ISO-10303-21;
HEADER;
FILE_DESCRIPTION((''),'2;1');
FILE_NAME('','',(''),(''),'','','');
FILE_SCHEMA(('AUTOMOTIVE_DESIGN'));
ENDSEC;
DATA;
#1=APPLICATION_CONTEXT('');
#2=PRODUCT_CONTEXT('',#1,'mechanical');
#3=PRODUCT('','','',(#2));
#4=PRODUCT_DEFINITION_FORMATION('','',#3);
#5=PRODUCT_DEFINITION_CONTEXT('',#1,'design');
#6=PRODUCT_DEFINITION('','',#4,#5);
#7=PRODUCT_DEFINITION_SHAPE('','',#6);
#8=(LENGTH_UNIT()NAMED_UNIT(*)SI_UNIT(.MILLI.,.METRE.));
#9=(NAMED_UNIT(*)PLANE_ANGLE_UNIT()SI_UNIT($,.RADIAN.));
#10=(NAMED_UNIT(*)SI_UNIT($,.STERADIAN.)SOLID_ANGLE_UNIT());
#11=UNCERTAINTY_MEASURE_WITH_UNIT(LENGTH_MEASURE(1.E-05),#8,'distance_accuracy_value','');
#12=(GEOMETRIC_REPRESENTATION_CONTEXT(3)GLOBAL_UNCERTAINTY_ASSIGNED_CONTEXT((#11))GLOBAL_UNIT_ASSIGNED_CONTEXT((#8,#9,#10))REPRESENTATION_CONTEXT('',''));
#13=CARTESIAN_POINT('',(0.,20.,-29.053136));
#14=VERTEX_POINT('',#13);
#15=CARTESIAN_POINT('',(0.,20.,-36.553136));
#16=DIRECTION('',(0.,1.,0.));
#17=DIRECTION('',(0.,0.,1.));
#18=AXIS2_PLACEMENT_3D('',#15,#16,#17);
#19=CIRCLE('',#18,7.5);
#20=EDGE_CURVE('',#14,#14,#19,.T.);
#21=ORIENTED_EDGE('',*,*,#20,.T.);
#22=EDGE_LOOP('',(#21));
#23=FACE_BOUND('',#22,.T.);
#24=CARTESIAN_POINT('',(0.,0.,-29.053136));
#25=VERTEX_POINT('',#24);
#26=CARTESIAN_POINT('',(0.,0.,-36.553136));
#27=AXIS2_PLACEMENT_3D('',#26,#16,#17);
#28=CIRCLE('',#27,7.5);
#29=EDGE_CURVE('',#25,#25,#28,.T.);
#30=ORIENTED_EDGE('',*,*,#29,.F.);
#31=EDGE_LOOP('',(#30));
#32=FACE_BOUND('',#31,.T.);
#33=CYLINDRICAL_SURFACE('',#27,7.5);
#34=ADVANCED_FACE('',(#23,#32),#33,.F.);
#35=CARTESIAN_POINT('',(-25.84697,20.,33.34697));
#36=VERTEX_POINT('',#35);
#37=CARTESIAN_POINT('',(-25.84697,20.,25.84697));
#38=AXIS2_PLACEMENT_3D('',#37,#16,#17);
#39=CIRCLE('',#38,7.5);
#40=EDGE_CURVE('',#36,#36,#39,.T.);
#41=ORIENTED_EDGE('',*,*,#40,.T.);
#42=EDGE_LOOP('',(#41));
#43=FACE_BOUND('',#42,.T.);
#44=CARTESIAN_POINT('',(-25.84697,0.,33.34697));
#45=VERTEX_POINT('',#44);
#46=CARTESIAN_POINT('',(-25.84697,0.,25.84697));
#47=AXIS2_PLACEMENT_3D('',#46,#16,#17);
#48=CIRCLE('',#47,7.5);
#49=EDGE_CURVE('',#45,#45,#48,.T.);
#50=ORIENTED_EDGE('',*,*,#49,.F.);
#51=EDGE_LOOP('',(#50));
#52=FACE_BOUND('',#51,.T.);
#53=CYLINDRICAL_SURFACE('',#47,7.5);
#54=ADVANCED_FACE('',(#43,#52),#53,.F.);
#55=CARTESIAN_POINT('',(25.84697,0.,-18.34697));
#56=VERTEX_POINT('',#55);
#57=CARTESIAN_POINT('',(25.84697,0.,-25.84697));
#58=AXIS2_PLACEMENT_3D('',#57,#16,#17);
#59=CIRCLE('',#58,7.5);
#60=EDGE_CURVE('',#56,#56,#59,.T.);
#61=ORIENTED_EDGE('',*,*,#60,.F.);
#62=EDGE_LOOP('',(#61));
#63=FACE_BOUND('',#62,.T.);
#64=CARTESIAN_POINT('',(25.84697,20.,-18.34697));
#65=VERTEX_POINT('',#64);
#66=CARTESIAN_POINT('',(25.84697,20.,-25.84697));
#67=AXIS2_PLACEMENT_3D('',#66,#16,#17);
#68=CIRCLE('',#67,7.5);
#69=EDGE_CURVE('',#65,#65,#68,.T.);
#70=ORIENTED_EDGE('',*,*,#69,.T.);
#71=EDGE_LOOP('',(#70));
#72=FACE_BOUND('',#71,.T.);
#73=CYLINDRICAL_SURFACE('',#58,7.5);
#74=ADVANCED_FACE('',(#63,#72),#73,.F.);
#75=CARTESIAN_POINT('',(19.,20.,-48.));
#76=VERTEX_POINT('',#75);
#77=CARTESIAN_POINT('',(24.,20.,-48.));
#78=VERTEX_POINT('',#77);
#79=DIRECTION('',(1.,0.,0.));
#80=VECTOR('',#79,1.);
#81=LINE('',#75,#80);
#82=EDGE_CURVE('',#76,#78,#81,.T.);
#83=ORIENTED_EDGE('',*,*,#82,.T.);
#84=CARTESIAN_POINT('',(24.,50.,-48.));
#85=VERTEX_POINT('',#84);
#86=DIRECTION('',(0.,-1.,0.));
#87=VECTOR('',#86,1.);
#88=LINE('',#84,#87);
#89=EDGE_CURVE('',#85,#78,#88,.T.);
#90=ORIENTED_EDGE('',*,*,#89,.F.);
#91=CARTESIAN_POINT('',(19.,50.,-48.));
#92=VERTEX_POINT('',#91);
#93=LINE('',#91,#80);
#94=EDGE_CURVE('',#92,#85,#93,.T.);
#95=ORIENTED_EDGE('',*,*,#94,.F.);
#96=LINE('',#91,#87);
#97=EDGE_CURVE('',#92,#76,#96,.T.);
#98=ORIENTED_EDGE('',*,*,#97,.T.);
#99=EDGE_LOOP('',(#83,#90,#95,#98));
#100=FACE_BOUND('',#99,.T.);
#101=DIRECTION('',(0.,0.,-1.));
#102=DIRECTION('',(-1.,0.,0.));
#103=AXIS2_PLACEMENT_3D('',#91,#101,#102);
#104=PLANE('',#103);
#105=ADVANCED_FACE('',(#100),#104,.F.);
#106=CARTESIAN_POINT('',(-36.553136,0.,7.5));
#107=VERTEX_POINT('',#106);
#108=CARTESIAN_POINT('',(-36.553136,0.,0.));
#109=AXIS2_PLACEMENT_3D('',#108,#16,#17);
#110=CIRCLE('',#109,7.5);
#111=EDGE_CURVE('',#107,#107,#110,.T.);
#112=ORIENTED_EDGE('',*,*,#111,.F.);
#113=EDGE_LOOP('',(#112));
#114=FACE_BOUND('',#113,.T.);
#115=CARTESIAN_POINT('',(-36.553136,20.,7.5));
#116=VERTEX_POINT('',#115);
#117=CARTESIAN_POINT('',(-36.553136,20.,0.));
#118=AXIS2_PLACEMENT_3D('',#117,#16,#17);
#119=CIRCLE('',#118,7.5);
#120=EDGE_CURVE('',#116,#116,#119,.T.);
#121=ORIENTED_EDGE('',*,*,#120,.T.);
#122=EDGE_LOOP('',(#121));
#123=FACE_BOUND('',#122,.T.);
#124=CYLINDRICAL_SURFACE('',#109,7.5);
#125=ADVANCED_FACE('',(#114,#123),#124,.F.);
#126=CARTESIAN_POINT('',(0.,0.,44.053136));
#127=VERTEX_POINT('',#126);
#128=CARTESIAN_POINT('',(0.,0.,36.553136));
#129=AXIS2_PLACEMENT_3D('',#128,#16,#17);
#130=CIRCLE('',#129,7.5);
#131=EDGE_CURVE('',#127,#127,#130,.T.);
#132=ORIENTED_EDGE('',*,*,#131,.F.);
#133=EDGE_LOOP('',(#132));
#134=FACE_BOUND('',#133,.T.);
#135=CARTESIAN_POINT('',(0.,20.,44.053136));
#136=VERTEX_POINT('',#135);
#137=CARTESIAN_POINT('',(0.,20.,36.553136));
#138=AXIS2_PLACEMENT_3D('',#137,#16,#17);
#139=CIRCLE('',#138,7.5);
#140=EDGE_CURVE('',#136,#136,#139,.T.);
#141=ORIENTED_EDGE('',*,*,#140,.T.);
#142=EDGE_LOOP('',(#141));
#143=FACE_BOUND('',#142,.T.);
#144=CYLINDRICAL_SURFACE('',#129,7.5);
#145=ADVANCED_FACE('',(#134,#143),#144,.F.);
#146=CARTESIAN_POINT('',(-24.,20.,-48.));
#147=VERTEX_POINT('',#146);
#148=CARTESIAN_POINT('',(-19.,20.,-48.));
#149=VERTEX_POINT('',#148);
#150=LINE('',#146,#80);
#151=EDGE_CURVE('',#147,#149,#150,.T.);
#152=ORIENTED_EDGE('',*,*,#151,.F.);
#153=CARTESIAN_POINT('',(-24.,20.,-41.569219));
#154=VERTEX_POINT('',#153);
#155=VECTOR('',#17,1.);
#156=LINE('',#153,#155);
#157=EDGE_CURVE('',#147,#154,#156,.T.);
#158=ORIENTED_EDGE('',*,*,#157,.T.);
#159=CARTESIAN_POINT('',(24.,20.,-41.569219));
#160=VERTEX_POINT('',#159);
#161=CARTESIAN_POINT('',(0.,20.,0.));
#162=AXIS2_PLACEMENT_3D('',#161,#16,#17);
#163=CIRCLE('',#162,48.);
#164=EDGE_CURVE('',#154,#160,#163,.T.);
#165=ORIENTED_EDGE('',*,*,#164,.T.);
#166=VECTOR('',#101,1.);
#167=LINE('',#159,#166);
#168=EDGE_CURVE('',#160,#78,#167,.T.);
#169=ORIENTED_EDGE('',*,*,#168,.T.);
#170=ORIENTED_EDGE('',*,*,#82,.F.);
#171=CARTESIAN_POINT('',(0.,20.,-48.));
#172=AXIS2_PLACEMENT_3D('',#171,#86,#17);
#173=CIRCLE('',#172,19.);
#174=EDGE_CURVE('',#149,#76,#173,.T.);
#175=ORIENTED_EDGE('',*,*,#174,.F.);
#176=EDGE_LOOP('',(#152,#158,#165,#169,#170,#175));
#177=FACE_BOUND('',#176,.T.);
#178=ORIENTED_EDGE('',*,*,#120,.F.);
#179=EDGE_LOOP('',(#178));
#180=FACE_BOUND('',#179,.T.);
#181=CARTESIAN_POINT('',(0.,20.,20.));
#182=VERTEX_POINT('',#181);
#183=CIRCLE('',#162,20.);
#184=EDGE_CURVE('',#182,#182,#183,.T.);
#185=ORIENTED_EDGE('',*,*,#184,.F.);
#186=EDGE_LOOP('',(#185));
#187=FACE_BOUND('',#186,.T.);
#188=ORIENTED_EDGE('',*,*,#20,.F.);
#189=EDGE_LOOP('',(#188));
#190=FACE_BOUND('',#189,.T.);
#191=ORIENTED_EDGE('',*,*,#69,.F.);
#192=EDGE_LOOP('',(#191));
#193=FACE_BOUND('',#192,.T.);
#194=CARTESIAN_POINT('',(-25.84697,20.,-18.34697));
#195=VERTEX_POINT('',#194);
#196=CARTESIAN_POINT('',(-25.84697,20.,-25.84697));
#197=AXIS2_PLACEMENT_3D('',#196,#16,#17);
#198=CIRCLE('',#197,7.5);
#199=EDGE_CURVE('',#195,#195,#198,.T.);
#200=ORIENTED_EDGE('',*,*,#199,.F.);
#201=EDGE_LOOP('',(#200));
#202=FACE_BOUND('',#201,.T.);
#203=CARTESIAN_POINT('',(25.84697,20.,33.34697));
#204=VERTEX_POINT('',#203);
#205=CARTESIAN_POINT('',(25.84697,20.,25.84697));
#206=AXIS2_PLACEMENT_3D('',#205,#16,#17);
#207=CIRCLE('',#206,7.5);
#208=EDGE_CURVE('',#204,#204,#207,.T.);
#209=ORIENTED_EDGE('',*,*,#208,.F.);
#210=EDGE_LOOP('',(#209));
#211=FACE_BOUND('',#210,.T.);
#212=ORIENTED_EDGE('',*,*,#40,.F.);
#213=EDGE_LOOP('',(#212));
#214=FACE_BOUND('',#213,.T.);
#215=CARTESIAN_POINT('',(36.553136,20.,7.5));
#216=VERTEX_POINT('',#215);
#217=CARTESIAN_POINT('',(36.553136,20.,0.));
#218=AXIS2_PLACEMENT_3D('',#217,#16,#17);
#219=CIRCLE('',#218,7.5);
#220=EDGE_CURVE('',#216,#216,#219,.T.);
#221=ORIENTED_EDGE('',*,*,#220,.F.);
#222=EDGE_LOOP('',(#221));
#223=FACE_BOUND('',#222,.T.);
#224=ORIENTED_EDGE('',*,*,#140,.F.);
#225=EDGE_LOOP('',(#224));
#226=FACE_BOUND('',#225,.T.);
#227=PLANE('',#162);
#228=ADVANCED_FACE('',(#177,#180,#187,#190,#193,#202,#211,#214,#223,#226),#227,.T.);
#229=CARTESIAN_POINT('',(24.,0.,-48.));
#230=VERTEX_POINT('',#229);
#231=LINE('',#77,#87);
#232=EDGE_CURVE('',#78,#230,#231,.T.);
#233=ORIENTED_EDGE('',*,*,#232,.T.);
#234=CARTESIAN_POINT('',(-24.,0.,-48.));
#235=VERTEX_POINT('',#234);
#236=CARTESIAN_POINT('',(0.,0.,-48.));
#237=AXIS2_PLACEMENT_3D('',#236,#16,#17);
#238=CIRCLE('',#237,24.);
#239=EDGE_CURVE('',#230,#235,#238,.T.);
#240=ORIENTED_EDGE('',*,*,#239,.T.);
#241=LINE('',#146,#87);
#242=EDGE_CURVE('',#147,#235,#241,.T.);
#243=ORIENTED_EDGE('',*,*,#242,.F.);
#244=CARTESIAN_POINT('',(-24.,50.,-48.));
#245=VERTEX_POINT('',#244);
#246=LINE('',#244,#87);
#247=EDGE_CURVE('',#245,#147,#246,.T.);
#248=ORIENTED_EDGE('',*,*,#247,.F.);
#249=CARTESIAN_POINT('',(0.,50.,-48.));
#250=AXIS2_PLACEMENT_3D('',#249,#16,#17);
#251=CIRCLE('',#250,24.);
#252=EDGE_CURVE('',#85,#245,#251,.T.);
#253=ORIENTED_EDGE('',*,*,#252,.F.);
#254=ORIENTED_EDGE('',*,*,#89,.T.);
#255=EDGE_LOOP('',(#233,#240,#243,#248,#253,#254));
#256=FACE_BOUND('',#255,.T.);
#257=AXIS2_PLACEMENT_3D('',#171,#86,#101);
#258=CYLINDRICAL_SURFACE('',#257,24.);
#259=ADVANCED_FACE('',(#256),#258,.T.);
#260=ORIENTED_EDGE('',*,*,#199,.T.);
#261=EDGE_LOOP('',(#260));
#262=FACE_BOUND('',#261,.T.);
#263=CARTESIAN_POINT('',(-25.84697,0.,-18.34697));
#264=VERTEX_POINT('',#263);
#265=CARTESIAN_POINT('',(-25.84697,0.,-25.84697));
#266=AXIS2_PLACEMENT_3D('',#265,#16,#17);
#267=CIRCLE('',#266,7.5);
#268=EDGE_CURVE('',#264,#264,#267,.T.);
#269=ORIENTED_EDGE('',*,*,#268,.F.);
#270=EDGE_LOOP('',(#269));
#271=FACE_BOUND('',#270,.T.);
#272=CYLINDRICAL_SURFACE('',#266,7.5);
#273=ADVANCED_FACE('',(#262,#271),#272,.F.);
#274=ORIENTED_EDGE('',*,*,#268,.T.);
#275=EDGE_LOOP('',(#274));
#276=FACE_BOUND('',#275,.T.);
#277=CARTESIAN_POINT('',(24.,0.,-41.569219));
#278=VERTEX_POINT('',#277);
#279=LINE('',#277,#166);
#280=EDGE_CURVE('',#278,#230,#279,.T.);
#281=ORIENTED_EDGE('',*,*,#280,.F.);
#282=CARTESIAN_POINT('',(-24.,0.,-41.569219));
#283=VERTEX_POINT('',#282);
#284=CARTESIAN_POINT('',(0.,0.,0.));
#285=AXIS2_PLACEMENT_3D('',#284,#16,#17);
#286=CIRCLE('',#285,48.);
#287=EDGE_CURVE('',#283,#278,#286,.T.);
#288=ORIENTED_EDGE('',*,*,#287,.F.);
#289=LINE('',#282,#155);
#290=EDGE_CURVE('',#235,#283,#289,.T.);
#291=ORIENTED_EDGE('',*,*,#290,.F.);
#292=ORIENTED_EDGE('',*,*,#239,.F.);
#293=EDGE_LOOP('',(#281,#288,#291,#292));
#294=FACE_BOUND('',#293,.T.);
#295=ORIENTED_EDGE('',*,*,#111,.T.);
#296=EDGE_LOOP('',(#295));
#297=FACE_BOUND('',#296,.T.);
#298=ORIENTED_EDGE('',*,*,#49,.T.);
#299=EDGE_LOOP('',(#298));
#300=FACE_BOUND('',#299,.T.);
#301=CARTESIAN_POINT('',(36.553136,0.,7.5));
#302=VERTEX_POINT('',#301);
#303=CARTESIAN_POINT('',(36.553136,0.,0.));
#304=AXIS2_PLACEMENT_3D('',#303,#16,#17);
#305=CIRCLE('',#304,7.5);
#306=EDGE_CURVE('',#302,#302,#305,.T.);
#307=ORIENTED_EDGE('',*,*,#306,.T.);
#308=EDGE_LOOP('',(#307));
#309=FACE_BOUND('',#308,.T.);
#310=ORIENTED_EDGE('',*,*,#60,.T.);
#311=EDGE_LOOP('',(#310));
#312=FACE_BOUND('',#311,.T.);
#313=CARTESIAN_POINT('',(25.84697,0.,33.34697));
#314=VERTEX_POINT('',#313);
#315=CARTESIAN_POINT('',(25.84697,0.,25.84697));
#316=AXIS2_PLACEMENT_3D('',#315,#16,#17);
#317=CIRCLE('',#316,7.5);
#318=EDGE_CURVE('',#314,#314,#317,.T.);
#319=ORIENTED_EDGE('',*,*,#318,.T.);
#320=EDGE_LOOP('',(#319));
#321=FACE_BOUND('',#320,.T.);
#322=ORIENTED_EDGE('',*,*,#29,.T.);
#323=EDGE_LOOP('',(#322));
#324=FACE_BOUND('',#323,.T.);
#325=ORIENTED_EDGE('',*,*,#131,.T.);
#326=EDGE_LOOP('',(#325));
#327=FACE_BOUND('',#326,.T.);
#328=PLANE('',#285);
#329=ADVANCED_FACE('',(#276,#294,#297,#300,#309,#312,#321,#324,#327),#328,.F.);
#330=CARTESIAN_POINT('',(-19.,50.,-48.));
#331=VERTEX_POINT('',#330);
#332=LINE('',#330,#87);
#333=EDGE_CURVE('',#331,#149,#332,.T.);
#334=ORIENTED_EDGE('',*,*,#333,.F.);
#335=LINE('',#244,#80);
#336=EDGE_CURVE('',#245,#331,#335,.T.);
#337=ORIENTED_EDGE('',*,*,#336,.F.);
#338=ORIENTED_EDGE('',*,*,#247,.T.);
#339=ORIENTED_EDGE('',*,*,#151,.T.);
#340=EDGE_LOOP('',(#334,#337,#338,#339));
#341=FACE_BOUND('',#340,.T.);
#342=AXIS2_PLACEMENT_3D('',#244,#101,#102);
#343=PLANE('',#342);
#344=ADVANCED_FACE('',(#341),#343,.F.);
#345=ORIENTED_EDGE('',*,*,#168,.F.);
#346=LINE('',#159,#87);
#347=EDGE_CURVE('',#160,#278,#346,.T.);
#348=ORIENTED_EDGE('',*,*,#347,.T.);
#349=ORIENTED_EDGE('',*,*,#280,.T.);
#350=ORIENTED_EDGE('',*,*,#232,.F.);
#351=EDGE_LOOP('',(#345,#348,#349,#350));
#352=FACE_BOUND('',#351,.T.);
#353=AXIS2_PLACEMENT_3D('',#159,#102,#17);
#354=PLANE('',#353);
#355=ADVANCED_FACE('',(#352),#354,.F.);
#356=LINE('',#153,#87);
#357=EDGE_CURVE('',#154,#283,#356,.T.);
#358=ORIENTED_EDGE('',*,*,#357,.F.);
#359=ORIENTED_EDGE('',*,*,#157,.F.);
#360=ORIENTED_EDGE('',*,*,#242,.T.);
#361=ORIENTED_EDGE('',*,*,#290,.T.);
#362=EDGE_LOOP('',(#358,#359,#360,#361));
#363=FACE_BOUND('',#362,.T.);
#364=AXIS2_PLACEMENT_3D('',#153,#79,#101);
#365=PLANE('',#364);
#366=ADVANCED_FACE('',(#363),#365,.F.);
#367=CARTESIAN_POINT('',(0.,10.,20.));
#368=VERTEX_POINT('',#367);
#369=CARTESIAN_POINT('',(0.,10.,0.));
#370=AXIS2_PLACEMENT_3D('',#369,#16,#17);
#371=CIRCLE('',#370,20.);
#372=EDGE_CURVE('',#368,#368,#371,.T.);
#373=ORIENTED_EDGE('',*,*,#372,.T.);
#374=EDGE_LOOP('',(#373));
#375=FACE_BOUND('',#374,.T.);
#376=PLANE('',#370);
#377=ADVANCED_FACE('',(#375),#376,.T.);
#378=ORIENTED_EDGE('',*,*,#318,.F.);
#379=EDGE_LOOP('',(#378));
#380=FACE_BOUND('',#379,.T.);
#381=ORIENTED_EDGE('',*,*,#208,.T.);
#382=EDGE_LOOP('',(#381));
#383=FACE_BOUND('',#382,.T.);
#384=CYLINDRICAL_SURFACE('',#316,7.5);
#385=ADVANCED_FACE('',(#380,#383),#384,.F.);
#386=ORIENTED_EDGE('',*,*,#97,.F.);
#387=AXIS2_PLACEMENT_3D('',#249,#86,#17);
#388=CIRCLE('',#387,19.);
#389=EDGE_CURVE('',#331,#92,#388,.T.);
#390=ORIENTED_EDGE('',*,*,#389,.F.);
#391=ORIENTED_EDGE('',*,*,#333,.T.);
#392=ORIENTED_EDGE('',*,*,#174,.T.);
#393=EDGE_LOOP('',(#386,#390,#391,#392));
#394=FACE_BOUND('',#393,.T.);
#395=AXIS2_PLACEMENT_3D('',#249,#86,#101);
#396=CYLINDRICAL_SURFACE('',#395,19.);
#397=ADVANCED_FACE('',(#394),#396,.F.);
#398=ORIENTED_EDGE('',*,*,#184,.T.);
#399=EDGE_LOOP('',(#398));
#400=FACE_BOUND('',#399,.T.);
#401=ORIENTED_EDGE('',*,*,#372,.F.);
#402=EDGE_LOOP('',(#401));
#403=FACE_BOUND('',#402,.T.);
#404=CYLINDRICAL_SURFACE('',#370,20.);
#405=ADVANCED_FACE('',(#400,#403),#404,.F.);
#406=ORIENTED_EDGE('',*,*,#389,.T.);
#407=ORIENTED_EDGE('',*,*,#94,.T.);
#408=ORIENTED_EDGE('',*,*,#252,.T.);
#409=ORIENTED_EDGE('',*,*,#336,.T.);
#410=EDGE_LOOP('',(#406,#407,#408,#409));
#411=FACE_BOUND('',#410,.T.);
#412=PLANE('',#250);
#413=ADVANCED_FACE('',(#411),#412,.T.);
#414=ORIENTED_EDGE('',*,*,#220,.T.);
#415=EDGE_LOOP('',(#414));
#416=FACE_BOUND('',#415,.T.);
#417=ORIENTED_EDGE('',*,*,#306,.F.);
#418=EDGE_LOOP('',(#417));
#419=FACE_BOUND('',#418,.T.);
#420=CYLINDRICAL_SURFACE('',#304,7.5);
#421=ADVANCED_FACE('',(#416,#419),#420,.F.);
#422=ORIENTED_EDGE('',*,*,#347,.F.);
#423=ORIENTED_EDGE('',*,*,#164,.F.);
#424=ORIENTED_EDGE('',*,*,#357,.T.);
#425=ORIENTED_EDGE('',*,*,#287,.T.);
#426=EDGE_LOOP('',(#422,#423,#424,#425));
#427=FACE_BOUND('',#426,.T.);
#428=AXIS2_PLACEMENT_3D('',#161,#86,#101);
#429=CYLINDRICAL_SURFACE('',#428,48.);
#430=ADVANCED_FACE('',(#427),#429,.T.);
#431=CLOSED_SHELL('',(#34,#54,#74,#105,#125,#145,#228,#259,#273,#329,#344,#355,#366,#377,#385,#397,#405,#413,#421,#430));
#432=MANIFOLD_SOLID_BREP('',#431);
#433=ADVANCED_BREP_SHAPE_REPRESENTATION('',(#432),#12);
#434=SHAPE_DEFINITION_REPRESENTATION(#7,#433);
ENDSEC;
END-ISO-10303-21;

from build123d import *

# Parameters (mm, degrees)
EXTRUDE_1_DEPTH     = 20
SKETCH_2_R          = 20
CUT_EXTRUDE_1_DEPTH = 10
SKETCH_3_R          = 7.5
CUT_EXTRUDE_2_DEPTH = 89.814413245
EXTRUDE_2_DEPTH     = 30


with BuildPart() as part:
    # 草圖1 → 填料-伸長1 (new body)
    with BuildSketch(Plane(origin=(0, 0, 0), x_dir=(1, 0, 0), z_dir=(0, 1, 0))):
        with BuildLine():
            Line((-24, 41.569219382), (-24, 48))
            ThreePointArc((-24, 48), (0, 72), (24, 48))
            Line((24, 48), (24, 41.569219382))
            ThreePointArc((24, 41.569219382), (0, -48), (-24, 41.569219382))
        make_face()
    extrude(amount=EXTRUDE_1_DEPTH)

    # 草圖2 → 除料-伸長1 (cut)
    with BuildSketch(Plane(origin=(0, 20, 0), x_dir=(1, 0, 0), z_dir=(0, 1, 0))):
        with Locations(Location((0, 0, 0), (0, 0, 270))):
            Circle(SKETCH_2_R)
    extrude(amount=-CUT_EXTRUDE_1_DEPTH, mode=Mode.SUBTRACT)

    # 草圖3 → 除料-伸長2 (cut, through all)
    with BuildSketch(Plane(origin=(0, 20, 0), x_dir=(1, 0, 0), z_dir=(0, 1, 0))):
        with Locations(Location((0, 36.553135894, 0), (0, 0, 270))):
            Circle(SKETCH_3_R)
        with Locations(Location((25.846970264, 25.846970264, 0), (0, 0, 270))):
            Circle(SKETCH_3_R)
        with Locations(Location((36.553135894, 0, 0), (0, 0, 270))):
            Circle(SKETCH_3_R)
        with Locations(Location((25.846970264, -25.846970264, 0), (0, 0, 270))):
            Circle(SKETCH_3_R)
        with Locations(Location((0, -36.553135894, 0), (0, 0, 270))):
            Circle(SKETCH_3_R)
        with Locations(Location((-25.846970264, -25.846970264, 0), (0, 0, 270))):
            Circle(SKETCH_3_R)
        with Locations(Location((-36.553135894, 0, 0), (0, 0, 270))):
            Circle(SKETCH_3_R)
        with Locations(Location((-25.846970264, 25.846970264, 0), (0, 0, 270))):
            Circle(SKETCH_3_R)
    extrude(amount=-CUT_EXTRUDE_2_DEPTH, mode=Mode.SUBTRACT)

    # 草圖4 → 填料-伸長2 (add)
    with BuildSketch(Plane(origin=(0, 20, 0), x_dir=(1, 0, 0), z_dir=(0, 1, 0))):
        with BuildLine():
            Line((-24, 48), (-19, 48))
            ThreePointArc((-19, 48), (0, 67), (19, 48))
            Line((19, 48), (24, 48))
            ThreePointArc((24, 48), (0, 72), (-24, 48))
        make_face()
    extrude(amount=EXTRUDE_2_DEPTH)


solid = part.part
